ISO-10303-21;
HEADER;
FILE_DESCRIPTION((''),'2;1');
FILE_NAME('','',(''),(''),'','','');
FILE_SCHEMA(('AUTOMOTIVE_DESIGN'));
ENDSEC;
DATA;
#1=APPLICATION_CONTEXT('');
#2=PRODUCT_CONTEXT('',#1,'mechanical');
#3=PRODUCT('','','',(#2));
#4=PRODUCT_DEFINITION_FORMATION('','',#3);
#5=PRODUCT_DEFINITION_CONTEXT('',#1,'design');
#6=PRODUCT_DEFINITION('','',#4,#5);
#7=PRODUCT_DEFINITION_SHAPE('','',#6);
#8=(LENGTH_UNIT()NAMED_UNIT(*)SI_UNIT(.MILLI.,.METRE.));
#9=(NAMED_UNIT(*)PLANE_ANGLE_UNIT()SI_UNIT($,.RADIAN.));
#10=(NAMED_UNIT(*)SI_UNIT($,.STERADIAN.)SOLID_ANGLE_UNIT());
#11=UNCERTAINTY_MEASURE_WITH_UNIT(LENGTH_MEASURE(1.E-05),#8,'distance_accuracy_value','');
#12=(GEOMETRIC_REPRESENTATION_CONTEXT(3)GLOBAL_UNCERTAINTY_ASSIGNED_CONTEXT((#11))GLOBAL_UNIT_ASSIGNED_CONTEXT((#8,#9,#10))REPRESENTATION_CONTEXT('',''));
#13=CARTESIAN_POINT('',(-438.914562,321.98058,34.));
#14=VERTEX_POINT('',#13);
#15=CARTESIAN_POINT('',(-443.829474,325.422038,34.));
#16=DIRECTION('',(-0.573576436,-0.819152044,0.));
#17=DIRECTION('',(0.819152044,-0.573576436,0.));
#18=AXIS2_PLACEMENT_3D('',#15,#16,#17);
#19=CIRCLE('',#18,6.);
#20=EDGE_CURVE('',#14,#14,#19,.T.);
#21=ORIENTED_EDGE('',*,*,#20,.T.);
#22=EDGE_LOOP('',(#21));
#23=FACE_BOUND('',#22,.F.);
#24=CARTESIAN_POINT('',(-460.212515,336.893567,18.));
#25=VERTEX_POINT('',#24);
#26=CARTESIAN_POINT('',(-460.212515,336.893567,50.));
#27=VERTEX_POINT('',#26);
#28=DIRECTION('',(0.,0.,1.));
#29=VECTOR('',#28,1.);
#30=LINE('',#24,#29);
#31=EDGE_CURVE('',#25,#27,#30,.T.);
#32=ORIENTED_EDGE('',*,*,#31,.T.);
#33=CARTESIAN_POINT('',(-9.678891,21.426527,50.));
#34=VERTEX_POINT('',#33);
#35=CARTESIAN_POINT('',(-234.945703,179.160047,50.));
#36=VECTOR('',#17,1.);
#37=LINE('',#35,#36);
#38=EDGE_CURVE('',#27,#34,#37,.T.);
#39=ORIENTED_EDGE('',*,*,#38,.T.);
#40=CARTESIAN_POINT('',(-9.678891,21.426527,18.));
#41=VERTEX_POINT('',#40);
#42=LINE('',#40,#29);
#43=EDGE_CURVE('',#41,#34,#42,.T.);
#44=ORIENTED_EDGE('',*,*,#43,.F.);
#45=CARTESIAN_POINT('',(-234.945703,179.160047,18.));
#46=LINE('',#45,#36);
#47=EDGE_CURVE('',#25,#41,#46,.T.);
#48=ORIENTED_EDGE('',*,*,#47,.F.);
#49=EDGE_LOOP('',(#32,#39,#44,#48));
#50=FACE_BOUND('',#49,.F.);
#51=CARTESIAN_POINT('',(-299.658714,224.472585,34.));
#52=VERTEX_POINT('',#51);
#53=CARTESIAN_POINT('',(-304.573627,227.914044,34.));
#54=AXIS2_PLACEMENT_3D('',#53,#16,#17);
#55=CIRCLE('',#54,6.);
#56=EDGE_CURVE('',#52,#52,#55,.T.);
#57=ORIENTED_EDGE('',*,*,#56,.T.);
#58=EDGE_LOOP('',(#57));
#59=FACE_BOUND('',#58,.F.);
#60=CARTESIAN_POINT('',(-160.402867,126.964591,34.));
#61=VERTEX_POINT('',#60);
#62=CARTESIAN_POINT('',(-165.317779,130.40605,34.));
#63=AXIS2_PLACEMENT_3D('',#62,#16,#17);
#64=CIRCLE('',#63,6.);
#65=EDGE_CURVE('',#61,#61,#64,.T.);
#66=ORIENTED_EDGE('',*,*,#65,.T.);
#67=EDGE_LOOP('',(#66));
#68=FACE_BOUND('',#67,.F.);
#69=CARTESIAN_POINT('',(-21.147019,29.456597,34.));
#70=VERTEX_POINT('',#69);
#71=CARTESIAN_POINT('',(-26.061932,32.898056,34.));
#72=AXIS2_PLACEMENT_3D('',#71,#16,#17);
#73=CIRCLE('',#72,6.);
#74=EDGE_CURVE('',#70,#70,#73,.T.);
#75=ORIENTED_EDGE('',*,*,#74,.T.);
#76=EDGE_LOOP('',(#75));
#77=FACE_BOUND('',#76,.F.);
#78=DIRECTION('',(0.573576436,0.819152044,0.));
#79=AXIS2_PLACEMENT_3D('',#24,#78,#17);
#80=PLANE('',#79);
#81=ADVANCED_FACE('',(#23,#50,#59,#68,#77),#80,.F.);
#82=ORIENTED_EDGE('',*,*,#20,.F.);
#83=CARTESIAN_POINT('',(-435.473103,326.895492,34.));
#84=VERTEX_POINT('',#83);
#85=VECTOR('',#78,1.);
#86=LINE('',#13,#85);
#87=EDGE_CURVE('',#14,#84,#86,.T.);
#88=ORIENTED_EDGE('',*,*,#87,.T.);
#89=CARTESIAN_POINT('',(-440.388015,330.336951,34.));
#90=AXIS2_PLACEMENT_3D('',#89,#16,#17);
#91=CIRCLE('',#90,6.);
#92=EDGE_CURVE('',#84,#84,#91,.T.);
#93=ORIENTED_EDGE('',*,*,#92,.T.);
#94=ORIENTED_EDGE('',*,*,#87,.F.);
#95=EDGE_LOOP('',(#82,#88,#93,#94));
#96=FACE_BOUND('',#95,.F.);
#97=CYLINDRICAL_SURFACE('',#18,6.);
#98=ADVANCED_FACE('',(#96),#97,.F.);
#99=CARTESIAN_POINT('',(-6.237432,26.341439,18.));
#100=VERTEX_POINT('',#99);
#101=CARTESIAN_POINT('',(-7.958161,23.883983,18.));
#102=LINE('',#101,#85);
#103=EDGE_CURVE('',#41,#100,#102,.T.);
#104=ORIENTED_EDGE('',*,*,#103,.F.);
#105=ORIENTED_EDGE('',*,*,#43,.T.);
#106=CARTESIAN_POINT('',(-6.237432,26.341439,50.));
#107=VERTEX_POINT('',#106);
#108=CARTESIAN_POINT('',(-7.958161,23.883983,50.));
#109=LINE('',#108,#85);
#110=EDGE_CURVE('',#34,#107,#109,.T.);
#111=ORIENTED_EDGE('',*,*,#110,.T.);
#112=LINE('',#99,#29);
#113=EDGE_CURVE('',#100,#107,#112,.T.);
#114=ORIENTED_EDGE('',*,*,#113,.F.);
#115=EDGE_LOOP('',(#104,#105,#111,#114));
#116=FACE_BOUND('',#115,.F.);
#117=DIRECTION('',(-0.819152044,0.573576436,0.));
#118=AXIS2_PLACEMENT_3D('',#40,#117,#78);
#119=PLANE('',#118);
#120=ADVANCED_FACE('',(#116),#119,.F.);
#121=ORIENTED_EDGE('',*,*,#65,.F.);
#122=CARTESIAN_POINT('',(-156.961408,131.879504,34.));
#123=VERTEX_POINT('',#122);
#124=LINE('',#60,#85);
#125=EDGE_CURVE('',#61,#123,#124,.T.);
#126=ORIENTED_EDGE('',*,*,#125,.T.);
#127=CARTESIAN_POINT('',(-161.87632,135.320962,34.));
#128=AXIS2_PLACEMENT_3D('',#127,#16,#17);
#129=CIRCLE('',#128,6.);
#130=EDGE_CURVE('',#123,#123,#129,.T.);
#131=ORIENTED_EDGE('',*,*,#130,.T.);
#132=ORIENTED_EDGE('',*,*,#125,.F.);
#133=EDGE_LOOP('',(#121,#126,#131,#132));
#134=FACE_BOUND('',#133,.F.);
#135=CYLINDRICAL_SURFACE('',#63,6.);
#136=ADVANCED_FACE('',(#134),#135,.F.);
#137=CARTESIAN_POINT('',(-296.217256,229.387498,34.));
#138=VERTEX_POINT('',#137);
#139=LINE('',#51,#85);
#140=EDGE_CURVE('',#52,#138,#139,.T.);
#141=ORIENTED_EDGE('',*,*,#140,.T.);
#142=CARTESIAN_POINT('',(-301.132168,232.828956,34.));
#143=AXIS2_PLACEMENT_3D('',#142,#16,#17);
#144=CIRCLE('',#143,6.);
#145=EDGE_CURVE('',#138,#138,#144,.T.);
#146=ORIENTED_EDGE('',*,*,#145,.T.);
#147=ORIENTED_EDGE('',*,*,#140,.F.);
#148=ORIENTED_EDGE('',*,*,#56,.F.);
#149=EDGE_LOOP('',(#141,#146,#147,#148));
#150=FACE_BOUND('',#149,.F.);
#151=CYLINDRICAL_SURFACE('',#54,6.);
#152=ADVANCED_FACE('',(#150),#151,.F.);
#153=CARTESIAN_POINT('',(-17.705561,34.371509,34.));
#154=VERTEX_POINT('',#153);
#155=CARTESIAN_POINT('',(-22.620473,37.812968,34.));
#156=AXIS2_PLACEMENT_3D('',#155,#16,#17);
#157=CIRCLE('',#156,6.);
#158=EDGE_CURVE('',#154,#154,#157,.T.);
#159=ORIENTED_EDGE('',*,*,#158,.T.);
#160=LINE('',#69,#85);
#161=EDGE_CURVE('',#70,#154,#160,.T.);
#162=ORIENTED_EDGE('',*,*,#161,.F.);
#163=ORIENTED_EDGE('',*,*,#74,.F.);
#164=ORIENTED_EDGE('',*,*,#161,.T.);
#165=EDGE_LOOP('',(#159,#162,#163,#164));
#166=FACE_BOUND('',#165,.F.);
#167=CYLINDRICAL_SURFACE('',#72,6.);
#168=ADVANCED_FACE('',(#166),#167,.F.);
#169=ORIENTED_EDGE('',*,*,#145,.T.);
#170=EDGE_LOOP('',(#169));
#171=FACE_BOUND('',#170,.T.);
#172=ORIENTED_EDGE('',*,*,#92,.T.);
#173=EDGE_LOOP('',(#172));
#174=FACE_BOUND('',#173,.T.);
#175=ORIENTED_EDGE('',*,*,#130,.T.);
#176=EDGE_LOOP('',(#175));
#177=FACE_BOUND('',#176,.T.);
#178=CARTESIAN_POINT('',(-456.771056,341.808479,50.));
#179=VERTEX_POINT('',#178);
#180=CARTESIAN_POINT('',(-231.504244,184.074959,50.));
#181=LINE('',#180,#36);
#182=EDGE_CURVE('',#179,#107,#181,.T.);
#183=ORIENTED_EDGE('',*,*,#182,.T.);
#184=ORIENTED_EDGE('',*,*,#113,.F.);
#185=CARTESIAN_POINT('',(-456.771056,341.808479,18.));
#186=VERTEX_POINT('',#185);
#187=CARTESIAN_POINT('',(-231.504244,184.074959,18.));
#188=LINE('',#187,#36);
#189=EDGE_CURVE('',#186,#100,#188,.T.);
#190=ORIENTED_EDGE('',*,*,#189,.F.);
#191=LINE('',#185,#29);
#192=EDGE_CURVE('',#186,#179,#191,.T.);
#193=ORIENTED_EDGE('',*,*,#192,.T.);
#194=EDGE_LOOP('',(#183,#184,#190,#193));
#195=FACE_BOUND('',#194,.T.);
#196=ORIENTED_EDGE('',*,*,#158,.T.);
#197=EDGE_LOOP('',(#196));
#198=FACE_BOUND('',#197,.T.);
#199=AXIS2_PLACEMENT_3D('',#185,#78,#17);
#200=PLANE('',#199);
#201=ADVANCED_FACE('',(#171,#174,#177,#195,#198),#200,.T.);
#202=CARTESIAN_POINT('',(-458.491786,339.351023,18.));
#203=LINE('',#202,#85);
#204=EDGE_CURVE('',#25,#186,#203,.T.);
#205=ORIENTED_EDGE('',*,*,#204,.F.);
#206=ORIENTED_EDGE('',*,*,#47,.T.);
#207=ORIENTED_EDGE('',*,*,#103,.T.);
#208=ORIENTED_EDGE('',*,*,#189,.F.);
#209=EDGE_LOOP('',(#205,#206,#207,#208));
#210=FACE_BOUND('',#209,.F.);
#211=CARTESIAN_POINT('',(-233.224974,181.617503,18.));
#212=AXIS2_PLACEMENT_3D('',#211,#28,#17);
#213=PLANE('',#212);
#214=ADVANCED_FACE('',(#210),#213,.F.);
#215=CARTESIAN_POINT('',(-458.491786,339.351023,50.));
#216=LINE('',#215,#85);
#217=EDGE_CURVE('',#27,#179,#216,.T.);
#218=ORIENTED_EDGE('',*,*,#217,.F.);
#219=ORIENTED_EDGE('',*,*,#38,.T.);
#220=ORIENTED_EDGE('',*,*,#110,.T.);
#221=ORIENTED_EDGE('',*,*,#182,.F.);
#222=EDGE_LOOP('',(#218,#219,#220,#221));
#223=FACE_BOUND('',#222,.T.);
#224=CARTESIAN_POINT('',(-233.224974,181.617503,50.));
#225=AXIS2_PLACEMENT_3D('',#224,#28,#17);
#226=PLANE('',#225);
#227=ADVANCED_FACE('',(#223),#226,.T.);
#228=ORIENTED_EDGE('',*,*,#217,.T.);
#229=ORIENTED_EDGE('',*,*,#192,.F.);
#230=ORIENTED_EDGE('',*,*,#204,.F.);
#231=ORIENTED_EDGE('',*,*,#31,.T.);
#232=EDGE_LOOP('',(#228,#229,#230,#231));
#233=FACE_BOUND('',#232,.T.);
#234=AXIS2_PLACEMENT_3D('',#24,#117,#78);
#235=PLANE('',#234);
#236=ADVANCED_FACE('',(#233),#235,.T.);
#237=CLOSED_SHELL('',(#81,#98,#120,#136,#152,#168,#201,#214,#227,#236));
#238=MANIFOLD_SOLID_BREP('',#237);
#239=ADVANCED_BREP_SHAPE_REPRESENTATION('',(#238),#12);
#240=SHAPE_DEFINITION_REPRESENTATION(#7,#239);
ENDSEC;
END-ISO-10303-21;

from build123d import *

# Parameters (mm, degrees)
SKETCH046_W             = 550
SKETCH046_H             = 6
PAD009_DEPTH            = 32
SKETCH047_R             = 6
POCKET004_DEPTH         = 6.001
LINEARPATTERN002_COUNT  = 4
LINEARPATTERN002_PITCH  = 170
BODY006_PLACEMENT_ANGLE = 325


with BuildPart() as part:
    # Sketch046 → Pad009 (new body)
    with BuildSketch(Plane.XY):
        with Locations((275, 3)):
            Rectangle(SKETCH046_W, SKETCH046_H)
    extrude(amount=PAD009_DEPTH)

    # Sketch047 (on Face1 of Pad009) → Pocket004 (cut, through all)
    with BuildSketch(Plane.XZ):
        with Locations((20, 16)):
            Circle(SKETCH047_R)
    pocket004 = extrude(amount=-POCKET004_DEPTH, mode=Mode.SUBTRACT)

    # LinearPattern002: Pocket004 ×4
    with Locations(*[(i * LINEARPATTERN002_PITCH, 0, 0) for i in range(1, LINEARPATTERN002_COUNT)]):
        add(pocket004, mode=Mode.SUBTRACT)


with BuildPart() as part_1:
    # Body006 placement: moved
    add(part.part.moved(Location((-460.212515, 336.893567, 18))).rotate(Axis((-460.212515, 336.893567, 18), (0, 0, 1)), BODY006_PLACEMENT_ANGLE))


solid = part_1.part
